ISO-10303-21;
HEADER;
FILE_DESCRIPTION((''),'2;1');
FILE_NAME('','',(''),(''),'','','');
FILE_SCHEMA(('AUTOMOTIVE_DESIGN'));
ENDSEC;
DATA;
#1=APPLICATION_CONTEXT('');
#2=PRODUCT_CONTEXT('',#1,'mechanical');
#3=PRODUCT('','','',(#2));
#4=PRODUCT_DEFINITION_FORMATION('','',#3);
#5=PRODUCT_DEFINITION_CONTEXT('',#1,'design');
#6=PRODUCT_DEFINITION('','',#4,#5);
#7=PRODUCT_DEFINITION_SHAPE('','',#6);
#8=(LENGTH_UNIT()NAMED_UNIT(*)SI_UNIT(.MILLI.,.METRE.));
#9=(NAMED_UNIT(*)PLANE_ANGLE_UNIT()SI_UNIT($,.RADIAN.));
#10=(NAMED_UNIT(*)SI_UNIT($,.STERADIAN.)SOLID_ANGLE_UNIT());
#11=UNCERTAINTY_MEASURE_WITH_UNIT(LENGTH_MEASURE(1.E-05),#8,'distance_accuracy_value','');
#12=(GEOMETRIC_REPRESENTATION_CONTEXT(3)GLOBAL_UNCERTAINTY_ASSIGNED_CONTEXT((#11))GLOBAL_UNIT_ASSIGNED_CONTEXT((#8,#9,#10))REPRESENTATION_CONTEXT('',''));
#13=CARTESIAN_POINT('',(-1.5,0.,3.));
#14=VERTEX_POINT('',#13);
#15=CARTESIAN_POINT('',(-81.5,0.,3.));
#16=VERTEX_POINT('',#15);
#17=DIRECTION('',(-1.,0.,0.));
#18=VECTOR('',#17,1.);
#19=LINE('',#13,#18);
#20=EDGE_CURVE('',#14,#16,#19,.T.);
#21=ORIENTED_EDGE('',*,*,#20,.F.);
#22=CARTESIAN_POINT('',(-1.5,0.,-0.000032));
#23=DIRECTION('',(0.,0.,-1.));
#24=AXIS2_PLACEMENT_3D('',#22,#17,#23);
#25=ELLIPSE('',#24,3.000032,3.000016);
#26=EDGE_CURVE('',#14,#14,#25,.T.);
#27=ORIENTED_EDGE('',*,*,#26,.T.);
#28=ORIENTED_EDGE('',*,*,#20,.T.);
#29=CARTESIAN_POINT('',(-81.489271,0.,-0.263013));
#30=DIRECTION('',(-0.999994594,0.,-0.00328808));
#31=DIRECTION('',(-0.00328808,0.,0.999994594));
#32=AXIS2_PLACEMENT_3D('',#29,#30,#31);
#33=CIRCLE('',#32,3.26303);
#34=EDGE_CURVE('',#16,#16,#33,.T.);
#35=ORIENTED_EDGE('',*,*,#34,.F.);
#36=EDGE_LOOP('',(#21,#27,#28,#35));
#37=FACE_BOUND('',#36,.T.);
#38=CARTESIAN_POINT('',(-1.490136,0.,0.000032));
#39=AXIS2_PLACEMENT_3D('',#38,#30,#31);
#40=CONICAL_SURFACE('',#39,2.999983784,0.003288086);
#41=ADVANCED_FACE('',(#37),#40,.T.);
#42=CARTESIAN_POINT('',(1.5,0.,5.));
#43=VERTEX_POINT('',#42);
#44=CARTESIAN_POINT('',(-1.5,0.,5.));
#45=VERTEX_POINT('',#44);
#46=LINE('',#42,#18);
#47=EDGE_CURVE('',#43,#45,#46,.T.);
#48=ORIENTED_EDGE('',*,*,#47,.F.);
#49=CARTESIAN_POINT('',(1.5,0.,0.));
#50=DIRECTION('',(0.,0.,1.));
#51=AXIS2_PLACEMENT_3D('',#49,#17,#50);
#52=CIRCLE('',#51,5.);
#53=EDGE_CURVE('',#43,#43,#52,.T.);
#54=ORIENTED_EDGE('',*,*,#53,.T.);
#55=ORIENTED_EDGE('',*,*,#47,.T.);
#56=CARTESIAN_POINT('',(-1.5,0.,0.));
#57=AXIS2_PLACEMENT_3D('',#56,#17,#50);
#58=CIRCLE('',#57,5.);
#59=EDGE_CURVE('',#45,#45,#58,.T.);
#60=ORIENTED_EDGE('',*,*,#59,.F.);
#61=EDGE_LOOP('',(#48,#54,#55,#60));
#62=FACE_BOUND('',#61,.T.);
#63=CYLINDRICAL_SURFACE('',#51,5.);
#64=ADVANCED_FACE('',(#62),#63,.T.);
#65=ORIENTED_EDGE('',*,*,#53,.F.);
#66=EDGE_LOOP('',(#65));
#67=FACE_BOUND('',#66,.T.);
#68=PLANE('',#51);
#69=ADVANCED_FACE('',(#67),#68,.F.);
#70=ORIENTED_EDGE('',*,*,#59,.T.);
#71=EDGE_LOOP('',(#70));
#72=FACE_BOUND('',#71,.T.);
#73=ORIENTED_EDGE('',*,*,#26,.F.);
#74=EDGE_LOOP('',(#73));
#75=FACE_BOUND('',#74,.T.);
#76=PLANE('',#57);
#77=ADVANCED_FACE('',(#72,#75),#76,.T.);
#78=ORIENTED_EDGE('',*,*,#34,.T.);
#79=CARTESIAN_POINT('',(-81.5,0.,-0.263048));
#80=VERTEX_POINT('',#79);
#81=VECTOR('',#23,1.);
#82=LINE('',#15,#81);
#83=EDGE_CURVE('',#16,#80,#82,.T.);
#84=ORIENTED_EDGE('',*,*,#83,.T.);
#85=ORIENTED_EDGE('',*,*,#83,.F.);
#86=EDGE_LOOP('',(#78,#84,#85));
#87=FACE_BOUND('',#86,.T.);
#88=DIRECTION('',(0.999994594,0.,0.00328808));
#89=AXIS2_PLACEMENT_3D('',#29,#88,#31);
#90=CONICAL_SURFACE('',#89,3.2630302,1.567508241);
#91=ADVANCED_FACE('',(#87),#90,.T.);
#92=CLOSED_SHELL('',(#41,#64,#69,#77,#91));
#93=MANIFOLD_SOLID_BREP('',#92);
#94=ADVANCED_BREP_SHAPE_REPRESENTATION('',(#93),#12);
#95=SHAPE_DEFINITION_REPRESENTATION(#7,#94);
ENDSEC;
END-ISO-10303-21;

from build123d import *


with BuildPart() as f1:
    # F0 (on Front) → F1 (revolve)
    with BuildSketch(Plane.XZ):
        Polygon((1.5, 0), (1.5, 5), (-1.5, 5), (-1.5, 3), (-1.5, 0), align=None)
    revolve(axis=Axis((0, 0, 0), (-1, 0, 0)))

    # F0 (on Front) → F2 (revolve)
    with BuildSketch(Plane.XZ):
        Polygon((-1.5, 0), (-1.5, 3), (-81.5, 3), (-81.5, -0.2630478411), align=None)
    revolve(axis=Axis((-41.5, 0, -0.1315239206), (-0.9999945942, 0, -0.0032880802)))


solid = f1.part
